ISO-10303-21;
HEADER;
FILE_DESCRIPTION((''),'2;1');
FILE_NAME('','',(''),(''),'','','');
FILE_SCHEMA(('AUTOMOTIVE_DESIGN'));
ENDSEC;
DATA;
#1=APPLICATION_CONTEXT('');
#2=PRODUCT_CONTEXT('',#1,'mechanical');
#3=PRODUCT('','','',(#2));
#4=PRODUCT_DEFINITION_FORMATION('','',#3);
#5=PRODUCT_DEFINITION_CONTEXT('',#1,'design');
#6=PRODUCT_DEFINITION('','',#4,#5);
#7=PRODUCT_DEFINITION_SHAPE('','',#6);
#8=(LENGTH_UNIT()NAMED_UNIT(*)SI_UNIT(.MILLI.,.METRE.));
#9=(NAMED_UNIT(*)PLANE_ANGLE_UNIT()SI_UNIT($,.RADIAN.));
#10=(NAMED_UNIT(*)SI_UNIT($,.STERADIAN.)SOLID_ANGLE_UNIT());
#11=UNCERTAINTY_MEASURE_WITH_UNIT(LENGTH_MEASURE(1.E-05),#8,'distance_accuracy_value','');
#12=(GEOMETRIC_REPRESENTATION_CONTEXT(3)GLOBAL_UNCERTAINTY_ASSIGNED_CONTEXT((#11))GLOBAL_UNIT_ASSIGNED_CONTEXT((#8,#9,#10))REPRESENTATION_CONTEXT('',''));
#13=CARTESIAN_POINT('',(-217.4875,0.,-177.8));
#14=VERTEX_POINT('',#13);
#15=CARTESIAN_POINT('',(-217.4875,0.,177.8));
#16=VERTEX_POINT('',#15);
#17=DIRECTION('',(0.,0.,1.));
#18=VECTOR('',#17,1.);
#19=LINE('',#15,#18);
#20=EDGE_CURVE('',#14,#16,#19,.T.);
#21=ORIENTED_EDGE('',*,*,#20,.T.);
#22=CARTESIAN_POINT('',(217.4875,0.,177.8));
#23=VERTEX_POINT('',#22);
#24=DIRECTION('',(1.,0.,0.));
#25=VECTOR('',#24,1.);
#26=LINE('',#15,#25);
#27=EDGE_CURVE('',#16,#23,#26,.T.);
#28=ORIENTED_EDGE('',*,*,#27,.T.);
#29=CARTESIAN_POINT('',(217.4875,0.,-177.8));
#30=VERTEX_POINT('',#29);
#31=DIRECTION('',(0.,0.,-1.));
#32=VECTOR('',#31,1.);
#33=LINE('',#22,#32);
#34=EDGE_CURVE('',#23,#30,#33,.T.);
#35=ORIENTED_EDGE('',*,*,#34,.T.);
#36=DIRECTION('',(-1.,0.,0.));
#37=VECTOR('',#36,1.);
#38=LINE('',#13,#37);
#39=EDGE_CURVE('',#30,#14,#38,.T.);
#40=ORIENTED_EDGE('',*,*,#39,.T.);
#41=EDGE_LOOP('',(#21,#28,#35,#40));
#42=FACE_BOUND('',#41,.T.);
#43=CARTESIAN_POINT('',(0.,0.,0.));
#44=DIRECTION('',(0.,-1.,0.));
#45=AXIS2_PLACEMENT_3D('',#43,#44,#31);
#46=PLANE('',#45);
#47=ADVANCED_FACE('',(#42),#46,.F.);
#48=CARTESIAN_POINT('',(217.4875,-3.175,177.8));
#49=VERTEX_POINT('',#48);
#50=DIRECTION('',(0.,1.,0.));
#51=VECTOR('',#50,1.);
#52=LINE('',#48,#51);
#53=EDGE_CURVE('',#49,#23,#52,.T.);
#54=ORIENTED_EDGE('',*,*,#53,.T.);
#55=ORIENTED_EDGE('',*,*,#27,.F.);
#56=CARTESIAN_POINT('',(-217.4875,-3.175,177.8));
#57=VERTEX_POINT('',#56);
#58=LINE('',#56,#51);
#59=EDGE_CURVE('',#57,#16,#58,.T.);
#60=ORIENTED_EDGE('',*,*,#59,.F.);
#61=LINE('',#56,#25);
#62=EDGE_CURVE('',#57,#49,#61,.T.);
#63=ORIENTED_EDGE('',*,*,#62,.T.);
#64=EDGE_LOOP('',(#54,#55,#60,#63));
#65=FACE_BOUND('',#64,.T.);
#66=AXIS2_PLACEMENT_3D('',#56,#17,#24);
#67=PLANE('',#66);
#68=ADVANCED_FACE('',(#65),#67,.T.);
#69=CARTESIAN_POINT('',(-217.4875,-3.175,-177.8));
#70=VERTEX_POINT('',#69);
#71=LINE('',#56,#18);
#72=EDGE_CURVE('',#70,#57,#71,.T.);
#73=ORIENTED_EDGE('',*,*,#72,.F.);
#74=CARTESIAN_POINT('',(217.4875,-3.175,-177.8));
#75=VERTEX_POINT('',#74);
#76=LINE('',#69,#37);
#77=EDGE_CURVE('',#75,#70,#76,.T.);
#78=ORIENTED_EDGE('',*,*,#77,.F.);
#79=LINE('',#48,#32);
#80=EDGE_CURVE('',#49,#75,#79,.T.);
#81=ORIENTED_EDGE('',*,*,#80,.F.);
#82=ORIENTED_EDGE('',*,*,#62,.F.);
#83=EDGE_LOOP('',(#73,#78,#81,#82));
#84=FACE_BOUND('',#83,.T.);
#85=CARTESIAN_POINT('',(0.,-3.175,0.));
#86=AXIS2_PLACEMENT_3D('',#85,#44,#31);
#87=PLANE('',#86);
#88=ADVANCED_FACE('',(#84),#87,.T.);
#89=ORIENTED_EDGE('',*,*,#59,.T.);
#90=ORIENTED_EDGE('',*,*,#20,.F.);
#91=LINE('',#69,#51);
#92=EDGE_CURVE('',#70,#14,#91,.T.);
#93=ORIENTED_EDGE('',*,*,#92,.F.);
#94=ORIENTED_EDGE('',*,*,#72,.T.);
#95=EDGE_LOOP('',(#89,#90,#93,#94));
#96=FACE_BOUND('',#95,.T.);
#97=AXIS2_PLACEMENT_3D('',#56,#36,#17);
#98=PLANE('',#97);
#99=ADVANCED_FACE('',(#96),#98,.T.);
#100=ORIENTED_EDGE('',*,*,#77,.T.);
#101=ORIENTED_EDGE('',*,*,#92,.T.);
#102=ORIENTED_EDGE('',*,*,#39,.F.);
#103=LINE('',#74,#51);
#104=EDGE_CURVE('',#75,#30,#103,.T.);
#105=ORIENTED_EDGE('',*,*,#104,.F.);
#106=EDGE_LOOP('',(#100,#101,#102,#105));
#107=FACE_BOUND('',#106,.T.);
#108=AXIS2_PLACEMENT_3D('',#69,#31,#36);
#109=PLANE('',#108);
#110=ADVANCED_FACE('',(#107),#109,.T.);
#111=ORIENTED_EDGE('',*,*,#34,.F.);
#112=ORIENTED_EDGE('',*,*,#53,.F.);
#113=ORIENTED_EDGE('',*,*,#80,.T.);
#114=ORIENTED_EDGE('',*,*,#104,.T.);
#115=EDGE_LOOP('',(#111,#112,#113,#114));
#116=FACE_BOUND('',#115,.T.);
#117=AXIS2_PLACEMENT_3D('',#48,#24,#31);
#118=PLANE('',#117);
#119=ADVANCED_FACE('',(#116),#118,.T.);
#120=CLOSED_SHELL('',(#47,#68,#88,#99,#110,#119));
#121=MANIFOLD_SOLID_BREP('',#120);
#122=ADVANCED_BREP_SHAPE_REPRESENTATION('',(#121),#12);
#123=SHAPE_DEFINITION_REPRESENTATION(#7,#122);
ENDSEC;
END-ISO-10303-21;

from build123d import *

# Parameters (mm, degrees)
SKETCH1_W           = 434.975
SKETCH1_H           = 355.6
BOSS_EXTRUDE1_DEPTH = 3.175


with BuildPart() as part:
    # Sketch1 → Boss-Extrude1 (new body)
    with BuildSketch(Plane(origin=(0, 0, 0), x_dir=(1, 0, 0), z_dir=(0, 1, 0))):
        Rectangle(SKETCH1_W, SKETCH1_H)
    extrude(amount=-BOSS_EXTRUDE1_DEPTH)


solid = part.part
